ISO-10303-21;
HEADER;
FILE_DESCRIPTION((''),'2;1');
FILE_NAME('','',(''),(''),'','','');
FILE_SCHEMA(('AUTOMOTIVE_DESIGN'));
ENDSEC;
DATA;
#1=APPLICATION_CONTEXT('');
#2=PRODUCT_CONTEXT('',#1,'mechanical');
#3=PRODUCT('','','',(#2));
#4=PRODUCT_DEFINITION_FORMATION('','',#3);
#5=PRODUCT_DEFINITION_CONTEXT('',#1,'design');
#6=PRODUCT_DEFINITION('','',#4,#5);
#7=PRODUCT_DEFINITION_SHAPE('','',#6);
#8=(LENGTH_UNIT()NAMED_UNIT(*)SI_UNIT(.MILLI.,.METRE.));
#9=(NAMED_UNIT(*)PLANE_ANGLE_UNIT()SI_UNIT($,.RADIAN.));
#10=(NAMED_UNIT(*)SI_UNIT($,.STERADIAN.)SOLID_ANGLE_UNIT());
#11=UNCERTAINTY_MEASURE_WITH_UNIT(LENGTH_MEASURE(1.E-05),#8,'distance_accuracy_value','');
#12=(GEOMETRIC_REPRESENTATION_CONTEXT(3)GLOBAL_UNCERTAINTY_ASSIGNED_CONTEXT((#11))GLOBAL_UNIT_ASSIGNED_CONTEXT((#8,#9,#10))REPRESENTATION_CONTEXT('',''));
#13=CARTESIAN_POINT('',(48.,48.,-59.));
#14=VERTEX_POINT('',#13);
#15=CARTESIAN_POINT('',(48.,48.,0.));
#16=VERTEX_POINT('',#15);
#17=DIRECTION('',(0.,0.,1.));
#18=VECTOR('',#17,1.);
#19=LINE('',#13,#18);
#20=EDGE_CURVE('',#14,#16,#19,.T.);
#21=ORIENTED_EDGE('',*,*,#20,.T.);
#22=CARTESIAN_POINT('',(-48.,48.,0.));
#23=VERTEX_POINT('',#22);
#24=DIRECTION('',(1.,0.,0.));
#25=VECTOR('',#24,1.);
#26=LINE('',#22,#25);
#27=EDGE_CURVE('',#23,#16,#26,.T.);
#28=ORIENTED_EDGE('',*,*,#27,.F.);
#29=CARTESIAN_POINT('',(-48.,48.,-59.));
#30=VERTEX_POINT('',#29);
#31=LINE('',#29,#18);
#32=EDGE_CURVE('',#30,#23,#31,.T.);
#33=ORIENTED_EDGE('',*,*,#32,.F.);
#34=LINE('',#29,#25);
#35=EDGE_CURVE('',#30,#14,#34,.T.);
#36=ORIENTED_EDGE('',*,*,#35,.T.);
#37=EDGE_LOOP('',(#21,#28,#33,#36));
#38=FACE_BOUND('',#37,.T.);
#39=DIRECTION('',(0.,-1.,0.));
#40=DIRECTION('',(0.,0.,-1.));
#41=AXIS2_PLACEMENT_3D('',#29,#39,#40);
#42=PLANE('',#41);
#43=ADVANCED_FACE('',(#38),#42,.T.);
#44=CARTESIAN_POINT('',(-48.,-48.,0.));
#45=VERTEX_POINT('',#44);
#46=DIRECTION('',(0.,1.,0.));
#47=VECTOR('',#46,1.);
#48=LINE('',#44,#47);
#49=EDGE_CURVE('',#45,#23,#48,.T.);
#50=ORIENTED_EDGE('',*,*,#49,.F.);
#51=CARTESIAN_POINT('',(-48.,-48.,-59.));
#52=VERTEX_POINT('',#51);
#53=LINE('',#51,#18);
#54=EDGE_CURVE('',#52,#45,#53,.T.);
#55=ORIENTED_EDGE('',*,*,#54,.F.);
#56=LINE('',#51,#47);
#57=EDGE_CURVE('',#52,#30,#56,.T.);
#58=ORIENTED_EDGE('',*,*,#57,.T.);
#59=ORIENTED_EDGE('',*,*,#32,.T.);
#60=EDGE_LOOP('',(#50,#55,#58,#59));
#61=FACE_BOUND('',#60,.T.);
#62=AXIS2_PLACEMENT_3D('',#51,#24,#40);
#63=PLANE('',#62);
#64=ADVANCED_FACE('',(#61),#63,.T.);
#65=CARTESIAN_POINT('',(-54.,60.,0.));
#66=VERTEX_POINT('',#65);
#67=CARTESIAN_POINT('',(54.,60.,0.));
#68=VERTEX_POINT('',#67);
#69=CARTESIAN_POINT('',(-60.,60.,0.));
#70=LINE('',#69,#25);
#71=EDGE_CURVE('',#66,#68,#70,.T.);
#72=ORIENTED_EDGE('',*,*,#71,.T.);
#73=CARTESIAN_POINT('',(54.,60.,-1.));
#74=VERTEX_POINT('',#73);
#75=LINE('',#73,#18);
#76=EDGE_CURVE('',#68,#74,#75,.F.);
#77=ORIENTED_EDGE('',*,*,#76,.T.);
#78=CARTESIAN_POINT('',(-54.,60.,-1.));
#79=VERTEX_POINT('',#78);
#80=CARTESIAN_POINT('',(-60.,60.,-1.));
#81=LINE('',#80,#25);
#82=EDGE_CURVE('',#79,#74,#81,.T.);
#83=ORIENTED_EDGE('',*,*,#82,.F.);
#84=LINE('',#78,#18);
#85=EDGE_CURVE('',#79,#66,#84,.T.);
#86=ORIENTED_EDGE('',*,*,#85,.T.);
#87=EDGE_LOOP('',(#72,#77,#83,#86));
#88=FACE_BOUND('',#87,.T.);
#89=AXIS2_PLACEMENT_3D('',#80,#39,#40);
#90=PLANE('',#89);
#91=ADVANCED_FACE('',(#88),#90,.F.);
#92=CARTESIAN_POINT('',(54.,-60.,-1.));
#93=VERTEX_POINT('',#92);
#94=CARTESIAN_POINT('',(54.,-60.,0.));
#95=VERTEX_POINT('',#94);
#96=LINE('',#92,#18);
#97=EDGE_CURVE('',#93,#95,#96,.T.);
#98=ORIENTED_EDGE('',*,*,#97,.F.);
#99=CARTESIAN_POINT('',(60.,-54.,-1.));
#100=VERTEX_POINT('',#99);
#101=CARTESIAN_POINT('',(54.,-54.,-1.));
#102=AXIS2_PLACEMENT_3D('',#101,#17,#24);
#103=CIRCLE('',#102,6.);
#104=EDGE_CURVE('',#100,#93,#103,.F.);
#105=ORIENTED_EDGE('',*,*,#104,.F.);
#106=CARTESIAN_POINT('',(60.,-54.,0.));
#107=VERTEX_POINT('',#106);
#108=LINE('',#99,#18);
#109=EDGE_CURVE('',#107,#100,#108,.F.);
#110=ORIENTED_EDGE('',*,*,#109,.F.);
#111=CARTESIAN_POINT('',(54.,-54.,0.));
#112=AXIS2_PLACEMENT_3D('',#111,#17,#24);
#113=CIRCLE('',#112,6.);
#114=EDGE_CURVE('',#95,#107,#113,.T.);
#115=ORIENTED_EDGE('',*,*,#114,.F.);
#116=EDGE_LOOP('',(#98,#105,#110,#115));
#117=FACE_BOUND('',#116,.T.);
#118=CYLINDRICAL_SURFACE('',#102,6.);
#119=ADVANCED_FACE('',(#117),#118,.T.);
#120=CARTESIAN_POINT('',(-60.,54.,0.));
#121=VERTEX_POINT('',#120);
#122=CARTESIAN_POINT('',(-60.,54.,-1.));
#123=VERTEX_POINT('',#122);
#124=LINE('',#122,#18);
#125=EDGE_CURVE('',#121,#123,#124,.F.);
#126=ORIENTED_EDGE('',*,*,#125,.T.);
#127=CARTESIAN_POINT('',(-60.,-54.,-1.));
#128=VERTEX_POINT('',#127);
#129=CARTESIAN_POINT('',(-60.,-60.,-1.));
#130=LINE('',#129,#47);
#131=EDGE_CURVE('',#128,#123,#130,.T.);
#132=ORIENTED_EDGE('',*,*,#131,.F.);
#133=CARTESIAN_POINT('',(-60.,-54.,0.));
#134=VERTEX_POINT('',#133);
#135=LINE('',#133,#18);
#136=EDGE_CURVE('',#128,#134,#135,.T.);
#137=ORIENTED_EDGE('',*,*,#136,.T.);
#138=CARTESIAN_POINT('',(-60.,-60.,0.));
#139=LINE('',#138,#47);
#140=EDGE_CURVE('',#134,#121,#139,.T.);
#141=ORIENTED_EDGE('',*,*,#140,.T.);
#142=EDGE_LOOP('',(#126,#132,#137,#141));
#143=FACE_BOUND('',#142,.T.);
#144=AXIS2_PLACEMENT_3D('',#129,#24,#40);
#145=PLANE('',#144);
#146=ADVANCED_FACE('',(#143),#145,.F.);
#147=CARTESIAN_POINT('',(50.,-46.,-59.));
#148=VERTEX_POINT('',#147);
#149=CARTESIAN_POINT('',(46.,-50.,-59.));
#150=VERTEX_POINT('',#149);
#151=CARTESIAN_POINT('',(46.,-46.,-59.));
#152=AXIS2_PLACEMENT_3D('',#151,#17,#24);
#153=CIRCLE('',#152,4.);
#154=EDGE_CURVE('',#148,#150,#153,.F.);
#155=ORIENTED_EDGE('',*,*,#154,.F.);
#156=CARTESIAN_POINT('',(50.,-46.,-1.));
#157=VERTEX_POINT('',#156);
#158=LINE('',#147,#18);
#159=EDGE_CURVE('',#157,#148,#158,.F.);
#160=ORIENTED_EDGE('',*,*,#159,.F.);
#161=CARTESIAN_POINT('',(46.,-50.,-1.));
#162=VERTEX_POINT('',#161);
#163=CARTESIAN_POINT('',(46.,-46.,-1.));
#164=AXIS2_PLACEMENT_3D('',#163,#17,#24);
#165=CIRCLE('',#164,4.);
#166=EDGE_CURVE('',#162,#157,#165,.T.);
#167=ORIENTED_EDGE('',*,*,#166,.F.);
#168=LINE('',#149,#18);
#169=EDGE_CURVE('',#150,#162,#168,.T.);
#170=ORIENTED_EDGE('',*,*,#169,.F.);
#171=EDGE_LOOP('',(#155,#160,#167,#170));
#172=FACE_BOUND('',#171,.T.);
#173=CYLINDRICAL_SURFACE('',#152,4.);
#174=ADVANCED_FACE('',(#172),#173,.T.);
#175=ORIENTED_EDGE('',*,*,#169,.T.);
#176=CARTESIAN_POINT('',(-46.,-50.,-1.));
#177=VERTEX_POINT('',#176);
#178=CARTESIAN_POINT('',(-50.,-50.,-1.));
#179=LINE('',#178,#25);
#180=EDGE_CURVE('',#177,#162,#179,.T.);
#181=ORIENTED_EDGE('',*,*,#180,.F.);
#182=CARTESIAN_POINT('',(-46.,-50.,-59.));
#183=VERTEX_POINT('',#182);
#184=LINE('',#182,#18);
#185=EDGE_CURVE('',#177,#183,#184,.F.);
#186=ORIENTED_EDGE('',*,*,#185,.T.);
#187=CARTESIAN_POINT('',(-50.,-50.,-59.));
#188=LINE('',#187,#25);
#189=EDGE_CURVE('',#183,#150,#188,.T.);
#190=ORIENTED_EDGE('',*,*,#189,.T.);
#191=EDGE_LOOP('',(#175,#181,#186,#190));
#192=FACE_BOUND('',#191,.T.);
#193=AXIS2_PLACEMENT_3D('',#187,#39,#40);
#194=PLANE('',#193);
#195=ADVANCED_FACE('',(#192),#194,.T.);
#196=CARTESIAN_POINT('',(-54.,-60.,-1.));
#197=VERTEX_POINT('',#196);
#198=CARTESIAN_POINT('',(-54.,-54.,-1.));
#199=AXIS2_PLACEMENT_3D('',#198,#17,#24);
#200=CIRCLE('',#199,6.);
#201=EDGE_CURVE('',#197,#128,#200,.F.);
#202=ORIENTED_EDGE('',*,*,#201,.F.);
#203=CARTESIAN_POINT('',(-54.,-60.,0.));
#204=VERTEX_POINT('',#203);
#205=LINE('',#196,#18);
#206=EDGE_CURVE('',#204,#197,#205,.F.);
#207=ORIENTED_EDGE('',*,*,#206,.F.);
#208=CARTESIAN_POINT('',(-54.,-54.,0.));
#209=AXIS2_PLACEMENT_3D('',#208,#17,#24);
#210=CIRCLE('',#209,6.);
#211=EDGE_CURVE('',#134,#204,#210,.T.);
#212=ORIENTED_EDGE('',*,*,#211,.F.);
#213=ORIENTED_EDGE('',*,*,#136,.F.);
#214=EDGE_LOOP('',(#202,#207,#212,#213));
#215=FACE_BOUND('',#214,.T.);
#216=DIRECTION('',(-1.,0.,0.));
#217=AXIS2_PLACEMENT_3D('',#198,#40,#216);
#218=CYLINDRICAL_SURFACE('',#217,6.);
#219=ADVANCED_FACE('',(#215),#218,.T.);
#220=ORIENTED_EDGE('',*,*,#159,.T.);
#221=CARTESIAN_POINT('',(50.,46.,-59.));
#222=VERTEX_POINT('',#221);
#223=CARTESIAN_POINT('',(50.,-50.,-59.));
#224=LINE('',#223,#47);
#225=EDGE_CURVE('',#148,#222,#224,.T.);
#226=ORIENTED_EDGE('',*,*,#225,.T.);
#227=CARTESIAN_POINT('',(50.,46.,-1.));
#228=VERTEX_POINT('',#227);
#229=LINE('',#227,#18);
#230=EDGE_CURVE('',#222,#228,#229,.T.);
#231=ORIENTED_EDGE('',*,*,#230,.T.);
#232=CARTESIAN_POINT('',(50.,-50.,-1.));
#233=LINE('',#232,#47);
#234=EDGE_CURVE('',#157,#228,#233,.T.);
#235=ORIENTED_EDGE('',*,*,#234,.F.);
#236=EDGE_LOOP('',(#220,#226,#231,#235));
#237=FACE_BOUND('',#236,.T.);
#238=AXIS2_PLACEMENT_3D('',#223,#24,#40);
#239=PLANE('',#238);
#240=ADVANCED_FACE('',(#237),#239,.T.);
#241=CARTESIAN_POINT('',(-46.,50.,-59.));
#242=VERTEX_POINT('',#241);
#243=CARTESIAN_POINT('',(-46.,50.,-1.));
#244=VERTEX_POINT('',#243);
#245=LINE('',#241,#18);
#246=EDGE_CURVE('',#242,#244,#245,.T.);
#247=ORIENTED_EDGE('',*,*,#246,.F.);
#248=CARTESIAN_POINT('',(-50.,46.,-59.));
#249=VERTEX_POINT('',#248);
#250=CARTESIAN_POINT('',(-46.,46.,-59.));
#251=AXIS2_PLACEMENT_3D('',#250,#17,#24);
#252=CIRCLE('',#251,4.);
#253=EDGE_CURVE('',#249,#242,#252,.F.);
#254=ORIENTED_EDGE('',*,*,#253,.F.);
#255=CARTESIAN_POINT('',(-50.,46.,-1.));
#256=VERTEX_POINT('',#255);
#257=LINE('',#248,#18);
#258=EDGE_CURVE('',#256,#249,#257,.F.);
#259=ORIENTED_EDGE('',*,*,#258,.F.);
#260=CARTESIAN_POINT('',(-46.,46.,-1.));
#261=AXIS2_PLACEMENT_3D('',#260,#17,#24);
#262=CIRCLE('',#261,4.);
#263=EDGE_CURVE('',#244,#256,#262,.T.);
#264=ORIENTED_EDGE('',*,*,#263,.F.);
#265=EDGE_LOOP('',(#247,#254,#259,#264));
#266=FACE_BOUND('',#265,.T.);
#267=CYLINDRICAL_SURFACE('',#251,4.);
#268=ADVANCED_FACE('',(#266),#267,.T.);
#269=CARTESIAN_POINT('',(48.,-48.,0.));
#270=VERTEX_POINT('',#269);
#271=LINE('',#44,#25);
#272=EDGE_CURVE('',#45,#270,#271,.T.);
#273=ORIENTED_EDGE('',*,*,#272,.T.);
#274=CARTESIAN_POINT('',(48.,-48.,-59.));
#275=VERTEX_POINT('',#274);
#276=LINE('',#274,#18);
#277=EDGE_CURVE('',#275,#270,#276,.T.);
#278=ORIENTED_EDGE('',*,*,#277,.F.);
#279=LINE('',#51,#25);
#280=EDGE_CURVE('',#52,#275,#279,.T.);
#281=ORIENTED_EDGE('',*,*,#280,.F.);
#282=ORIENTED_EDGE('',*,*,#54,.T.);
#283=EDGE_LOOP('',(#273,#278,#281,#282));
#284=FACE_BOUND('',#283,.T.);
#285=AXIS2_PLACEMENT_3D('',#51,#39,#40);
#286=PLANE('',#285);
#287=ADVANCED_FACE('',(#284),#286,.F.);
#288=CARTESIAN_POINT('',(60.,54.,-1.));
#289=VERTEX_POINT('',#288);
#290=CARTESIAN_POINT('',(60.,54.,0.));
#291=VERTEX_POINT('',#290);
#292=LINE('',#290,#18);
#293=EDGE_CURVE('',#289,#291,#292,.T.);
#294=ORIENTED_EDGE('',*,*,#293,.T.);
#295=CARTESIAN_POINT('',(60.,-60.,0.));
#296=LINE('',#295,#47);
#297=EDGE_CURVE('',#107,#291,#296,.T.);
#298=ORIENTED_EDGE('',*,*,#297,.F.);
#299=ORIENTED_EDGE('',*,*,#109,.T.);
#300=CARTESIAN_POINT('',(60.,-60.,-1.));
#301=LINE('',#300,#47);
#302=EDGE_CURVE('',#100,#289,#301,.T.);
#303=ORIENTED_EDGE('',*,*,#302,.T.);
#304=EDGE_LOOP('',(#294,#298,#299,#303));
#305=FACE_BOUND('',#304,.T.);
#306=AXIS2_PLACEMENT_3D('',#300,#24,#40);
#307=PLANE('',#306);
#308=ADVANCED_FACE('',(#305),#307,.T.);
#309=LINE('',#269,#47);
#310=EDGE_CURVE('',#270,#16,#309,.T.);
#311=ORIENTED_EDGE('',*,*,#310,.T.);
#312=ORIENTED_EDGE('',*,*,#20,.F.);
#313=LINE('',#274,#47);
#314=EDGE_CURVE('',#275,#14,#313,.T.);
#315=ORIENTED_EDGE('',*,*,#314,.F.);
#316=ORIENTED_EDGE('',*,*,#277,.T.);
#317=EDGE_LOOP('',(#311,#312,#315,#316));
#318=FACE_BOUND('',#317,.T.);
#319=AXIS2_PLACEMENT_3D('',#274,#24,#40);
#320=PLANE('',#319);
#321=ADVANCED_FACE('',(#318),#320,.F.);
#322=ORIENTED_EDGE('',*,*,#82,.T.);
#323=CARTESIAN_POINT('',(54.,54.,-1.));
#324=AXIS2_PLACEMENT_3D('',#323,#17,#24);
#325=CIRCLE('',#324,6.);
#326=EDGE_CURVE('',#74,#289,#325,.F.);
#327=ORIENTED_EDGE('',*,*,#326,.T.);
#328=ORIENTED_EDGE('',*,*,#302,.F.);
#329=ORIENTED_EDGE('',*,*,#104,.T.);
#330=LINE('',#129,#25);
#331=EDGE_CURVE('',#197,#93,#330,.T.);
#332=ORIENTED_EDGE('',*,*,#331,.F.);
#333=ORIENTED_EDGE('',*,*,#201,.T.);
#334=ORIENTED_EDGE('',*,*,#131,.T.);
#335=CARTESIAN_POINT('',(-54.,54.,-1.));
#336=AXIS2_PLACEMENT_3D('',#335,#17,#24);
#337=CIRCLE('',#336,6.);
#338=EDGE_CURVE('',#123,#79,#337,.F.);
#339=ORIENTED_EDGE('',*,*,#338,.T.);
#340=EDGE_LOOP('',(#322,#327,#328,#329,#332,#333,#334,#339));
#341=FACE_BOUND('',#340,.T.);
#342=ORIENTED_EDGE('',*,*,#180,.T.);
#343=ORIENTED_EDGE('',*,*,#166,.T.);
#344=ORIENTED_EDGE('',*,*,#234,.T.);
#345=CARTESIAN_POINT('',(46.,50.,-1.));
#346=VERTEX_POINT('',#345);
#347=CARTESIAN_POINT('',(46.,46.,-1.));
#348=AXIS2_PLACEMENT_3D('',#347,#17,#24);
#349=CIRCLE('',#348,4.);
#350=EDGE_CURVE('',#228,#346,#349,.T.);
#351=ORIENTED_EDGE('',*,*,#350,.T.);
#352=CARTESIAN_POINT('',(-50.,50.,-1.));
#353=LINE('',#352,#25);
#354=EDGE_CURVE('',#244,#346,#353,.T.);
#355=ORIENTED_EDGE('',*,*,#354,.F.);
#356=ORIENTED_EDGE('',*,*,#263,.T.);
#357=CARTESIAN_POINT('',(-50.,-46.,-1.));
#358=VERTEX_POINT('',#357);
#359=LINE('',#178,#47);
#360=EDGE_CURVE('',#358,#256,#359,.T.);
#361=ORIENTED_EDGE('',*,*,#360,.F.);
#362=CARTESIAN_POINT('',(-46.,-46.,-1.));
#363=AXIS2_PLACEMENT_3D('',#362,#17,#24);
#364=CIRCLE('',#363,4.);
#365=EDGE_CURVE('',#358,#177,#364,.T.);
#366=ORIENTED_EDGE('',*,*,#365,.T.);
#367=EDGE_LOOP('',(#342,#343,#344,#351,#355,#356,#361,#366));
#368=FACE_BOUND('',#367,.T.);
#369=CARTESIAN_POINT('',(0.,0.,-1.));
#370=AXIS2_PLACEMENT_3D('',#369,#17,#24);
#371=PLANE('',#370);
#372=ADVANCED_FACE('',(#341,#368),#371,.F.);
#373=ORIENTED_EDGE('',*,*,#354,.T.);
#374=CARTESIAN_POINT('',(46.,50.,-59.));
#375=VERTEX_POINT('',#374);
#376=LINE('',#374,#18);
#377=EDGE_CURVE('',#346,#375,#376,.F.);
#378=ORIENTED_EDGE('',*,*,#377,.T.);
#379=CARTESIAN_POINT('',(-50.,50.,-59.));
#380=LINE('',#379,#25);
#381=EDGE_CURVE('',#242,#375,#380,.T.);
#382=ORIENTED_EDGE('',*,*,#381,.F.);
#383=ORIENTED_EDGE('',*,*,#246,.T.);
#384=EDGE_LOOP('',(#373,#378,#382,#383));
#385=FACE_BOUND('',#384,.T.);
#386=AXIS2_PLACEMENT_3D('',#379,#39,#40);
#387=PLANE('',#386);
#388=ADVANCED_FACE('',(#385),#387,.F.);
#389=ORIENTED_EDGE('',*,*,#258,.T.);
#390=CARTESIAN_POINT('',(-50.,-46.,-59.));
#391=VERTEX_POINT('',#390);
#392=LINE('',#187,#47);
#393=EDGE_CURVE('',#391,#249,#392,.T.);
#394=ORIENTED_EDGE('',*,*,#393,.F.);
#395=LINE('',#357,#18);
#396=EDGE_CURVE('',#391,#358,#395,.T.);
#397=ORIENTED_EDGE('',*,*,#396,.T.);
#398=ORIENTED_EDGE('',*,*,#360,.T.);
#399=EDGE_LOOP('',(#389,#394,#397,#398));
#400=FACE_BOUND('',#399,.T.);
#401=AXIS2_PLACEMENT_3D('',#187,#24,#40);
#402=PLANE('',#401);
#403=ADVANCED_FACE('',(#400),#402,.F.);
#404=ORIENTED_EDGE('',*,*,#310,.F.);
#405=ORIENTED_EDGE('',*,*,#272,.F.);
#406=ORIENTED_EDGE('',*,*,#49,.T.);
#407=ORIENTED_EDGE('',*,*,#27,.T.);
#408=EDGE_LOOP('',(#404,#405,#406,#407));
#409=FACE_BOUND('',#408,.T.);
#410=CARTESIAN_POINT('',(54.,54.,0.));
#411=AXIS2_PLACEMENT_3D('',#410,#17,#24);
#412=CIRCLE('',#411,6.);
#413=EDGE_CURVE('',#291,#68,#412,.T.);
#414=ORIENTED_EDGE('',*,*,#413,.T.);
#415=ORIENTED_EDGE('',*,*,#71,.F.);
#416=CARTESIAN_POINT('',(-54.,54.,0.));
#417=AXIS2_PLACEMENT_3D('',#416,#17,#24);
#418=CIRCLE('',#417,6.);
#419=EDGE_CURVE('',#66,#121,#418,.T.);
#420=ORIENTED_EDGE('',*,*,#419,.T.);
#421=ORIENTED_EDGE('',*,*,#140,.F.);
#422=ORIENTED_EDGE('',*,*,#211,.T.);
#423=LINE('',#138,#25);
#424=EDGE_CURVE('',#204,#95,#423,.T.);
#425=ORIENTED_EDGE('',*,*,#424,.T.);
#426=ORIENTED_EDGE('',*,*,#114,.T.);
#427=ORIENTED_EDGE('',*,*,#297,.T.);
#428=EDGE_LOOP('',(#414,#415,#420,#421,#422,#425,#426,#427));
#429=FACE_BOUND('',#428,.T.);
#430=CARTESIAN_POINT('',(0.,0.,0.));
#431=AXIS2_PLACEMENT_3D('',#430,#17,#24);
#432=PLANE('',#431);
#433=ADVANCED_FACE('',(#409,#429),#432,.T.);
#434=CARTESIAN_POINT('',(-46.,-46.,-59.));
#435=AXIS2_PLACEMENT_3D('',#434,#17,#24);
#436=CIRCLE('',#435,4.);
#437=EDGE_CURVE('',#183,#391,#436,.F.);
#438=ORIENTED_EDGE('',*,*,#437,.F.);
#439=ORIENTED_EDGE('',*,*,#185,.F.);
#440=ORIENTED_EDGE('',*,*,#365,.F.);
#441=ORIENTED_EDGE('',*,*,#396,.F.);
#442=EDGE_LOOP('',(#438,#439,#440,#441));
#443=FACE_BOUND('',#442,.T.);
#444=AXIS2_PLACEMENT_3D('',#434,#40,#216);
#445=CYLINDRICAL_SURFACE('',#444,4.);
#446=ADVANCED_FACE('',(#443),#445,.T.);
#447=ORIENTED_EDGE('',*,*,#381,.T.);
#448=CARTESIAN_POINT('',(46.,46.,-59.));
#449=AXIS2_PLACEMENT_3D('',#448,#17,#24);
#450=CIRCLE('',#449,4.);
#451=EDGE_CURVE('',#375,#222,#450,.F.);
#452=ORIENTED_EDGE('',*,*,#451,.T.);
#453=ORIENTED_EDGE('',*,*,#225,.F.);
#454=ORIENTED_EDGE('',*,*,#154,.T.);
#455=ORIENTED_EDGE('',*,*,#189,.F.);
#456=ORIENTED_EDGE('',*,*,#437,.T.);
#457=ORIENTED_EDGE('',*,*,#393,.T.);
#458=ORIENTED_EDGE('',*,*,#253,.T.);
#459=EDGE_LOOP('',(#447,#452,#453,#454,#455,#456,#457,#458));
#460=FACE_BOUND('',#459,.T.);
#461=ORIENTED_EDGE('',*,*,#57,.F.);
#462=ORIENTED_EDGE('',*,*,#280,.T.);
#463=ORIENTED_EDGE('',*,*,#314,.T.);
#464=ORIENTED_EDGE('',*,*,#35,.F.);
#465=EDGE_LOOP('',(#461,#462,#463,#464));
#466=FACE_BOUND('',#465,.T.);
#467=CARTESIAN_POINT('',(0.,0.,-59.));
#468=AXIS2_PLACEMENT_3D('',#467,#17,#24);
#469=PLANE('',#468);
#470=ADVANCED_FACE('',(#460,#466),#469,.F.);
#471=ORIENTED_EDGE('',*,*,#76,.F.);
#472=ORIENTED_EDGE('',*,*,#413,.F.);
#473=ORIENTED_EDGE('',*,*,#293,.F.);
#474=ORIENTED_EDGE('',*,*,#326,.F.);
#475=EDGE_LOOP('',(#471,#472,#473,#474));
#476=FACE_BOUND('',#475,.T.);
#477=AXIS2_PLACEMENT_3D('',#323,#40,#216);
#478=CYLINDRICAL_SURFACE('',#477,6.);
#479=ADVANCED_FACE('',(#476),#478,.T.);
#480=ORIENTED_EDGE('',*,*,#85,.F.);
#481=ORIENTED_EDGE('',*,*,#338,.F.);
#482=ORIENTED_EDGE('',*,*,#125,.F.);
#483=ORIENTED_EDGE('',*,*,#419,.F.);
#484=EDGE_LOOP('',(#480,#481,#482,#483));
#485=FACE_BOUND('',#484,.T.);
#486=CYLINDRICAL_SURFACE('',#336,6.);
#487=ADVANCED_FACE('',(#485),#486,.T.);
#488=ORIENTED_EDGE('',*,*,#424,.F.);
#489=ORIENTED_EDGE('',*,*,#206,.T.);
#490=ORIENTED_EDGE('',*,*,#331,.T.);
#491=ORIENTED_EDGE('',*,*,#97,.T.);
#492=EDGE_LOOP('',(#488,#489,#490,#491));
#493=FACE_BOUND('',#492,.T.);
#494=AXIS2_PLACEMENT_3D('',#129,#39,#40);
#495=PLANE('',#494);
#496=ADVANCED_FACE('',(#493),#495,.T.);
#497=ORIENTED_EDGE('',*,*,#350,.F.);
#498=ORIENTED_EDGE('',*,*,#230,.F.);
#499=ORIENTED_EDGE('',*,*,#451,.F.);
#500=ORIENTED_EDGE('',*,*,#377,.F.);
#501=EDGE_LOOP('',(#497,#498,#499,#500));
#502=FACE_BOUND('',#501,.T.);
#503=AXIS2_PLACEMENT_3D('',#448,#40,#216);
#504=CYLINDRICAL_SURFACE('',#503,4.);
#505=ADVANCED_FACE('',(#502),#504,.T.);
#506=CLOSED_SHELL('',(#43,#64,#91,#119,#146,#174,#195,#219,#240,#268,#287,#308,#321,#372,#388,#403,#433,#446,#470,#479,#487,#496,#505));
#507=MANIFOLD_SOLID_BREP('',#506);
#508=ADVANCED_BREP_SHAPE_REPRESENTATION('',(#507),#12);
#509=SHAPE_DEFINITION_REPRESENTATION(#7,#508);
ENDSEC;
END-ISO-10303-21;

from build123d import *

# Parameters (mm, degrees)
SKETCH1_W           = 100
SKETCH1_H           = 100
SKETCH1_W_2         = 96
SKETCH1_H_2         = 96
BOSS_EXTRUDE1_DEPTH = 59
SKETCH2_W           = 120
SKETCH2_H           = 120
SKETCH2_W_2         = 100
SKETCH2_H_2         = 100
BOSS_EXTRUDE4_DEPTH = 1
FILLET1_R           = 4
FILLET2_R           = 6


with BuildPart() as part:
    # Sketch1 → Boss-Extrude1 (new body)
    with BuildSketch(Plane.XY):
        Rectangle(SKETCH1_W, SKETCH1_H)
        Rectangle(SKETCH1_W_2, SKETCH1_H_2, mode=Mode.SUBTRACT)
    extrude(amount=-BOSS_EXTRUDE1_DEPTH)

    # Sketch2 → Boss-Extrude4 (add)
    with BuildSketch(Plane.XY):
        Rectangle(SKETCH2_W, SKETCH2_H)
        Rectangle(SKETCH2_W_2, SKETCH2_H_2, mode=Mode.SUBTRACT)
    extrude(amount=-BOSS_EXTRUDE4_DEPTH)

    # Fillet1
    fillet1_edges = [part.edges().sort_by_distance(p)[0] for p in [
        (-50, -50, -30),
        (-50, 50, -30),
        (50, 50, -30),
        (50, -50, -30),
    ]]
    fillet(fillet1_edges, radius=FILLET1_R)

    # Fillet2
    fillet2_edges = [part.edges().sort_by_distance(p)[0] for p in [
        (60, -60, -0.5),
        (-60, -60, -0.5),
        (-60, 60, -0.5),
        (60, 60, -0.5),
    ]]
    fillet(fillet2_edges, radius=FILLET2_R)


solid = part.part
